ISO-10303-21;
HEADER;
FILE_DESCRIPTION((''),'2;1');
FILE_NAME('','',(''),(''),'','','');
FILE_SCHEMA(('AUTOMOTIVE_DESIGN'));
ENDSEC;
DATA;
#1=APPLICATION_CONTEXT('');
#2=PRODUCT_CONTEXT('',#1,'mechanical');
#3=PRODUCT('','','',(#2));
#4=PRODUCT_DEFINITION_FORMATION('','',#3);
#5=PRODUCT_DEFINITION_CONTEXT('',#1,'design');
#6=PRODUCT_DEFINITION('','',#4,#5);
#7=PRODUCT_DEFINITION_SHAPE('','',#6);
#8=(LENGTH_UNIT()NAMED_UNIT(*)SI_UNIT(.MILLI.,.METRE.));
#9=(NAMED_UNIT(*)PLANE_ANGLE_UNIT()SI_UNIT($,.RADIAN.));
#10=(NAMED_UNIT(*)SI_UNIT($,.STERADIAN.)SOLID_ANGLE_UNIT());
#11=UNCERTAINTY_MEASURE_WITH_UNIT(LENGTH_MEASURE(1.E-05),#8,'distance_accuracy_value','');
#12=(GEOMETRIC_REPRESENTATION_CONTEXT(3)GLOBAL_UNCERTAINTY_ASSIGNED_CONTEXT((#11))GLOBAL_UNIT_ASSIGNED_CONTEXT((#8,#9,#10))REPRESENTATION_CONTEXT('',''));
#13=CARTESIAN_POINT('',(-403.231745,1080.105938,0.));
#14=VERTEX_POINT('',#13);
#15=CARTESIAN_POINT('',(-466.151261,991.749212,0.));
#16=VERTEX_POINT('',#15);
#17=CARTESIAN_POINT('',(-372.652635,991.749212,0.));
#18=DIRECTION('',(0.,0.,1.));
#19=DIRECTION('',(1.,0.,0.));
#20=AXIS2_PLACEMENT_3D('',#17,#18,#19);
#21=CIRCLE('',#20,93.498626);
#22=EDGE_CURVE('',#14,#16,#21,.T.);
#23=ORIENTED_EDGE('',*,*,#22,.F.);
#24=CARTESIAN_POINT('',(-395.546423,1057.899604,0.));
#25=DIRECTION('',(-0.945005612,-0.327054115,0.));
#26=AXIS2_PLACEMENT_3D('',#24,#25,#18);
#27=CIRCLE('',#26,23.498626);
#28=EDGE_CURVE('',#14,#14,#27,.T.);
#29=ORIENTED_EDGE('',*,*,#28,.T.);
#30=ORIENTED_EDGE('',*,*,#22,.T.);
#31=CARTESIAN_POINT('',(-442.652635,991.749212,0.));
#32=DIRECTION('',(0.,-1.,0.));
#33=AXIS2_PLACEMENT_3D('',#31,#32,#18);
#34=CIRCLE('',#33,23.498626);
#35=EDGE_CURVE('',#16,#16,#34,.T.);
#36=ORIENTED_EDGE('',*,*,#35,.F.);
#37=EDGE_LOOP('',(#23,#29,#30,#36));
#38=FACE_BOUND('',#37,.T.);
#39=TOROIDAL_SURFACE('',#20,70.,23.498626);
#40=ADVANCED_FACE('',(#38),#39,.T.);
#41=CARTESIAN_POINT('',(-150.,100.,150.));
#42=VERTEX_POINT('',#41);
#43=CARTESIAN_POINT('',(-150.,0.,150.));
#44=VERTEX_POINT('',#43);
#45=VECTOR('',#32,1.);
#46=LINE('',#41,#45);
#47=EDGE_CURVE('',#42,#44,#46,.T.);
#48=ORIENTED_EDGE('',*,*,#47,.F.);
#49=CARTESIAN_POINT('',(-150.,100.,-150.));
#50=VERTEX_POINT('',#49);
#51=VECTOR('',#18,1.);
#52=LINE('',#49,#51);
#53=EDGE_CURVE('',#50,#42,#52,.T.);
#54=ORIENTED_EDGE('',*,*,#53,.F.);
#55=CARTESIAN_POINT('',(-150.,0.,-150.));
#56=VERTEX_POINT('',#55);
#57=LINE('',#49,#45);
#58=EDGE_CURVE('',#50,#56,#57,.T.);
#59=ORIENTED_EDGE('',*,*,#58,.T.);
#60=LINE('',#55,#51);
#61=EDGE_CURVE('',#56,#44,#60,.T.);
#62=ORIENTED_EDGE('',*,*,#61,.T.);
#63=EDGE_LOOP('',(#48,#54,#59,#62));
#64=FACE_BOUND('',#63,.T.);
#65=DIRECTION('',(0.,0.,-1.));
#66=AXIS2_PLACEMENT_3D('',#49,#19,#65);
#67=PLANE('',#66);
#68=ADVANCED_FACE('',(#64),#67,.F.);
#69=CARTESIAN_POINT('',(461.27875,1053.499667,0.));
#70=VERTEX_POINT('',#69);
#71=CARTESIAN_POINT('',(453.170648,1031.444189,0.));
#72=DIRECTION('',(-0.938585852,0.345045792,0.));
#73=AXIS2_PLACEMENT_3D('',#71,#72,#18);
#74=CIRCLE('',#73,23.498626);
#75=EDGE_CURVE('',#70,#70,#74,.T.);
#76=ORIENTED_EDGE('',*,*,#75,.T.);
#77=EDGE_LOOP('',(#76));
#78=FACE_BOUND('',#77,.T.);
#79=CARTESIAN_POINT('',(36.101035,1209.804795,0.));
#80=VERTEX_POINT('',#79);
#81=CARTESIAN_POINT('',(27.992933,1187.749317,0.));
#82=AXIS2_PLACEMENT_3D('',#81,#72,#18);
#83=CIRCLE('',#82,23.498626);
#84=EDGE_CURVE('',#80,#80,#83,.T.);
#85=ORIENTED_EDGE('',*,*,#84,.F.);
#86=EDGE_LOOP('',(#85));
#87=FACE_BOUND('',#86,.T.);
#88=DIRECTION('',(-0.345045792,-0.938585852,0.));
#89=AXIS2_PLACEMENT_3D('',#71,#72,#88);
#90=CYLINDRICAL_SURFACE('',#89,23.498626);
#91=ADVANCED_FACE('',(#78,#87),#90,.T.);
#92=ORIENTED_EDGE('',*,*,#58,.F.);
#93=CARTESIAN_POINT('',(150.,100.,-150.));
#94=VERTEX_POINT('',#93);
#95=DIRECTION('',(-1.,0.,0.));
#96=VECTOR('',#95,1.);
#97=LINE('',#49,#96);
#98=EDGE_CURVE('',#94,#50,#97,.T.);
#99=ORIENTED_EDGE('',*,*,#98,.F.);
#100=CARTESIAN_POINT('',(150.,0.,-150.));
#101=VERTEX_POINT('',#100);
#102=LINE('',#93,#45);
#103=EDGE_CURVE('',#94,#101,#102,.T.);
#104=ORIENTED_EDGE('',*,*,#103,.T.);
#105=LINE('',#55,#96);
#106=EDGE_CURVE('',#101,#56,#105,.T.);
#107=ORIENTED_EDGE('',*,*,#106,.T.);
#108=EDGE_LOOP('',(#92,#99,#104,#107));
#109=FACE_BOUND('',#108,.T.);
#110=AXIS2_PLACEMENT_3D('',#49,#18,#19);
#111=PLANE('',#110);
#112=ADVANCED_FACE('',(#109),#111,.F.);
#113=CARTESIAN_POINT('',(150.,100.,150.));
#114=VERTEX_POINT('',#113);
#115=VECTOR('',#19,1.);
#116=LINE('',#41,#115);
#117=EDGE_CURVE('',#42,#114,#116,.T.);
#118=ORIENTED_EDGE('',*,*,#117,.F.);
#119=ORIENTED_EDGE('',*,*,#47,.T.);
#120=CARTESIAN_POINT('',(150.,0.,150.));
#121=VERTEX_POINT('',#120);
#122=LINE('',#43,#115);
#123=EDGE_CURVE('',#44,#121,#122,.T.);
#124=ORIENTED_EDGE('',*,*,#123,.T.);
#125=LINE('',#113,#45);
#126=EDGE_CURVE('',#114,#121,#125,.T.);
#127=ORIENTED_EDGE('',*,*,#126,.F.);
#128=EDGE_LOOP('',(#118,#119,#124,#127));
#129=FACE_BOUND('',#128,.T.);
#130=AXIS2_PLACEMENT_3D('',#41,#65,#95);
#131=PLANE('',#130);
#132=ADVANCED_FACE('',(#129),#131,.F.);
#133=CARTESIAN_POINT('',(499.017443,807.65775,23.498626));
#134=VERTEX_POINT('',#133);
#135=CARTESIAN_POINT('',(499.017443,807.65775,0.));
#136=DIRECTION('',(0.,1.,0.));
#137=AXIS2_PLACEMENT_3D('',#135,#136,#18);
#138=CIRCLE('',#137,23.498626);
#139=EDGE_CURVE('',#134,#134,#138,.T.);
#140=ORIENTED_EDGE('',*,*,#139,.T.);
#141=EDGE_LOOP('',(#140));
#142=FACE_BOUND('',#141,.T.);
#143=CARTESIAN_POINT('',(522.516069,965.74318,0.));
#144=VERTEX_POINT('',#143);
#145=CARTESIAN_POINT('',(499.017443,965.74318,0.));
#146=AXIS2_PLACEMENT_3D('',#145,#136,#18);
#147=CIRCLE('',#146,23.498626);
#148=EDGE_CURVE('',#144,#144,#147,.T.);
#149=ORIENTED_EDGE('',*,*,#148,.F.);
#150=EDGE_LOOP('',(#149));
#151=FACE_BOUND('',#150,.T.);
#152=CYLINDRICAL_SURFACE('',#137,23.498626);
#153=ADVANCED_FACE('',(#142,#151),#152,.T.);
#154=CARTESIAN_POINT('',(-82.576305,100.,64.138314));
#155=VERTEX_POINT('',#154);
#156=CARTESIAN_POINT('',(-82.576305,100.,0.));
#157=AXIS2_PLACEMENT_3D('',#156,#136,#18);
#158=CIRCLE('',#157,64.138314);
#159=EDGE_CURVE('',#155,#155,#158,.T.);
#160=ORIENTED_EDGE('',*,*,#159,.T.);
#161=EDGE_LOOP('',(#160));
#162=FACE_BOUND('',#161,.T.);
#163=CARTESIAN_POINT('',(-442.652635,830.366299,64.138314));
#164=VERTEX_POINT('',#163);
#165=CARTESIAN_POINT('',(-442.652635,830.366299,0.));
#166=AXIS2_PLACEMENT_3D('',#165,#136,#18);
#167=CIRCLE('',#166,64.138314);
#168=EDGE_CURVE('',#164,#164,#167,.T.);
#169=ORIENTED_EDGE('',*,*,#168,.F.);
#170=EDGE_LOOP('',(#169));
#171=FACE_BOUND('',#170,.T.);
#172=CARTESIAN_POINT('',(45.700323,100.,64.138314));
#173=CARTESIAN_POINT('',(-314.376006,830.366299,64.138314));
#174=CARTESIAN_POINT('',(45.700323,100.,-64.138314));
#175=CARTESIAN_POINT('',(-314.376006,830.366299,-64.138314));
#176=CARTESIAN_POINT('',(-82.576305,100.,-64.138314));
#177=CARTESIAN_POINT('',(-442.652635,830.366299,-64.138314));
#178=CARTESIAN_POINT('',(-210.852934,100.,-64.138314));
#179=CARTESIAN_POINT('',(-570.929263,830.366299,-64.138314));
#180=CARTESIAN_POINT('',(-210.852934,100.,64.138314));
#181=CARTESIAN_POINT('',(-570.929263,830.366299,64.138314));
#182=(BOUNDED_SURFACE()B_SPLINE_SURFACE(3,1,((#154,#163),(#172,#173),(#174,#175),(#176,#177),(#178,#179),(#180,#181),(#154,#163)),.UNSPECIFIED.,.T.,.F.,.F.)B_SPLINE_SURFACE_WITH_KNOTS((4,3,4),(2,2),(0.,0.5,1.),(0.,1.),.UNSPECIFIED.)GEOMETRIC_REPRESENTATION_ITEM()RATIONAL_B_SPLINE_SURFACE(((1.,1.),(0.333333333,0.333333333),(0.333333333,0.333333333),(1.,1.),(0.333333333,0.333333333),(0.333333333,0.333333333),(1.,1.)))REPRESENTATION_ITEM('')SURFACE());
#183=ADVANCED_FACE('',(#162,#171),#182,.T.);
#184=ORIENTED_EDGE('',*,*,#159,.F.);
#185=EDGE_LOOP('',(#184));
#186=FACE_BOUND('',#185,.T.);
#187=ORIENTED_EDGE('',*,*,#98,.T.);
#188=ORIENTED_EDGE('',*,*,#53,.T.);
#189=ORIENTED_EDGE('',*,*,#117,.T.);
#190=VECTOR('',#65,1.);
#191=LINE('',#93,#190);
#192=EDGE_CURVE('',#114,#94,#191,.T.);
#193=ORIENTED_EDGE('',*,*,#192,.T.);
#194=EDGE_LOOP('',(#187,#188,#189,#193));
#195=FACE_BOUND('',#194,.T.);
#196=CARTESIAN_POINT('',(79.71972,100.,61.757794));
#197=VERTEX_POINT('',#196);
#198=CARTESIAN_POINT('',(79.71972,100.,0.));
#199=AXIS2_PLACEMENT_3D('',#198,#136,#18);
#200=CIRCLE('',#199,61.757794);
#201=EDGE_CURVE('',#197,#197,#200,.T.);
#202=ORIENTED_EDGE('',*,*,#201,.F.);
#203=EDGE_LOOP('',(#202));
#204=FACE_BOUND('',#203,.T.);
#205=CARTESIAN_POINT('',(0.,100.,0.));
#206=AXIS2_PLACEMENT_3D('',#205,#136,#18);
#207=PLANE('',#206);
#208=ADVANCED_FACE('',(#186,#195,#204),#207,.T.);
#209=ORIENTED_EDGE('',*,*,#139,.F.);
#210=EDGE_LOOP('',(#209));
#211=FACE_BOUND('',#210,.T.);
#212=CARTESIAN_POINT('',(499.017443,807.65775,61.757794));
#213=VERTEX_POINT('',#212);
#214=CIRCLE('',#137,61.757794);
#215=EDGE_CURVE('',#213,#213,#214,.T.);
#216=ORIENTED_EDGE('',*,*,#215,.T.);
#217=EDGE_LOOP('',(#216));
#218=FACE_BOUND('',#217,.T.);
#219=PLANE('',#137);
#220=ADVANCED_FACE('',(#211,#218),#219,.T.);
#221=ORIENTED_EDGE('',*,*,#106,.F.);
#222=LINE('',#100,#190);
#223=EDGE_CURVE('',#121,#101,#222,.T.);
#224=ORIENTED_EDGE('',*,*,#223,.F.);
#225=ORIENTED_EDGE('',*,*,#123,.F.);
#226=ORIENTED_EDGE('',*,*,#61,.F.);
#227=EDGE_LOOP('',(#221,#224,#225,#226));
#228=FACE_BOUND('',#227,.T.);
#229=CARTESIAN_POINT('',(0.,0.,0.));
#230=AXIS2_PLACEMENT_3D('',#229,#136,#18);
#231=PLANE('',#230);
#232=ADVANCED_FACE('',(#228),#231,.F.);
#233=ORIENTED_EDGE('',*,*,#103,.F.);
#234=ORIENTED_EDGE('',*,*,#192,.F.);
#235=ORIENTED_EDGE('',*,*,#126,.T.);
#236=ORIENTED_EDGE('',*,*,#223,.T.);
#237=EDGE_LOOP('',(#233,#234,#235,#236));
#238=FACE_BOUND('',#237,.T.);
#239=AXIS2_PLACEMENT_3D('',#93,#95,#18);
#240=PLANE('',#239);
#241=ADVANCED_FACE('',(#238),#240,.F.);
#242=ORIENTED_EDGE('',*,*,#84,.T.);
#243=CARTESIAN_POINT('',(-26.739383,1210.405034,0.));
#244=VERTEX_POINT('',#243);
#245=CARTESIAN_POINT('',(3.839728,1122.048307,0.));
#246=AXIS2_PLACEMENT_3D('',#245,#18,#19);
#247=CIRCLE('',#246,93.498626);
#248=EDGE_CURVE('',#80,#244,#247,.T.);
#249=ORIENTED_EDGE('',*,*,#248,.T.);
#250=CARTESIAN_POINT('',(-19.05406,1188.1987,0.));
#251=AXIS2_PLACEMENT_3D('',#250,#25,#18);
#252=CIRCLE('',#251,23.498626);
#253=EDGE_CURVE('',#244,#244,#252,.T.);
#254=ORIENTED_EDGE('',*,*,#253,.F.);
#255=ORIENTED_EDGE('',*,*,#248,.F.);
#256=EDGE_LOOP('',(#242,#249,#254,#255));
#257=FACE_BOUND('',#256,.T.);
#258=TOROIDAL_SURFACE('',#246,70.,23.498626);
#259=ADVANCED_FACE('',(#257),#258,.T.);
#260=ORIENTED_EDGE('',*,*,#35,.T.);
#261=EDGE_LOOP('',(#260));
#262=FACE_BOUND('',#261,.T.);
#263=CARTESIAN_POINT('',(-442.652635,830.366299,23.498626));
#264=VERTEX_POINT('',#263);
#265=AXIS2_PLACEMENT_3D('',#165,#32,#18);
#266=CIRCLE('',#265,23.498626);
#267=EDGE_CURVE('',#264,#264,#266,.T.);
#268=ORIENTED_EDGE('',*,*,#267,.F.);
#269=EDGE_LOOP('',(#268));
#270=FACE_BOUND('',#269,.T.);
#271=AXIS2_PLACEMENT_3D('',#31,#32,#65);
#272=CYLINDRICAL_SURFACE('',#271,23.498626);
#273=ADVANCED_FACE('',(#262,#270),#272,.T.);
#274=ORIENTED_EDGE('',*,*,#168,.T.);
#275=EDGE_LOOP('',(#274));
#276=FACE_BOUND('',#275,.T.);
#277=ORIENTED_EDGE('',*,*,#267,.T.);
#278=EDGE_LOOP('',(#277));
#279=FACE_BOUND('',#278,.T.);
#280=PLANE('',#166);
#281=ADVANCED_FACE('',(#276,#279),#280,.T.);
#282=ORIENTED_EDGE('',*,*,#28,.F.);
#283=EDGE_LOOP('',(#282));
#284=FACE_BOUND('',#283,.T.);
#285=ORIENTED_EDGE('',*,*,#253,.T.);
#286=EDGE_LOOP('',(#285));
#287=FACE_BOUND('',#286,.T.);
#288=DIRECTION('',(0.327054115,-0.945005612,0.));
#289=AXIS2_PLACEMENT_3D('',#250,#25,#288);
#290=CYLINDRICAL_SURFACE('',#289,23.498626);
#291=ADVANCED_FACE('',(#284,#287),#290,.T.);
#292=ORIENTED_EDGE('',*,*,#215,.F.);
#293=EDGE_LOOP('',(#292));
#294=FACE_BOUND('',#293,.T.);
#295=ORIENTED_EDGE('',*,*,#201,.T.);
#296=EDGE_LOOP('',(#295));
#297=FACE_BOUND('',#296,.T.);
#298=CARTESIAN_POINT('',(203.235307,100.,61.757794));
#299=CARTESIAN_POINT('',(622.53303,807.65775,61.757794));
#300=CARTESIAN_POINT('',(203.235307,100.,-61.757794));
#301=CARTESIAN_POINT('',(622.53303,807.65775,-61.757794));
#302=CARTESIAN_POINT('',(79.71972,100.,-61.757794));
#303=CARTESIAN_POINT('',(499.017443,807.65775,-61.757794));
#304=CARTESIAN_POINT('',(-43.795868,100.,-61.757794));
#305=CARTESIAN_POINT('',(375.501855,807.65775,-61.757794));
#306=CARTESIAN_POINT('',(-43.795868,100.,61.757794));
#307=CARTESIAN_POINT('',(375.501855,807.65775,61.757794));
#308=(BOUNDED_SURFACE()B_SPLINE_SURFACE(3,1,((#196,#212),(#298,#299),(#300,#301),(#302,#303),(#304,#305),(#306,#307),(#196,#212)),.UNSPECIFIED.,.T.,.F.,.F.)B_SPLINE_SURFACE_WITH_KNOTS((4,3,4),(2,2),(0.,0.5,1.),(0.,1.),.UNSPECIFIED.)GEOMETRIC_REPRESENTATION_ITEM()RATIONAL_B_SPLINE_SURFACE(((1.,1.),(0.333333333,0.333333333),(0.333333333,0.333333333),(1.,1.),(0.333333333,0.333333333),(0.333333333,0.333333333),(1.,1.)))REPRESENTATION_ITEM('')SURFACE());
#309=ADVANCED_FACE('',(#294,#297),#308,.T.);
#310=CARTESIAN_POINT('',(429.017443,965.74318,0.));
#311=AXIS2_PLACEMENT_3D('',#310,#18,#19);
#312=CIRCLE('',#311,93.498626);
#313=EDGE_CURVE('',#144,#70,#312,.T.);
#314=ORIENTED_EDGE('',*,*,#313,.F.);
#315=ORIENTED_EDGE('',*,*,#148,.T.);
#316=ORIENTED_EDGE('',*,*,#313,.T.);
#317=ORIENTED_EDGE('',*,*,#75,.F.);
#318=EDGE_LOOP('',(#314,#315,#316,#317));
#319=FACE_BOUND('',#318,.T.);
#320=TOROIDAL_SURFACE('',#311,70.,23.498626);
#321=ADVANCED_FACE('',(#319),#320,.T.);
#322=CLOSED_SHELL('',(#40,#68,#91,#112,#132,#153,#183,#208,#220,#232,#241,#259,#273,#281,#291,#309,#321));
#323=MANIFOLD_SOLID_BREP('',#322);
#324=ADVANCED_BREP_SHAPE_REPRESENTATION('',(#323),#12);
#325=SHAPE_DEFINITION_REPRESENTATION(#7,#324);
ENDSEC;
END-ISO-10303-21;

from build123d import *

# Parameters (mm, degrees)
CROQUIS1_W              = 300
CROQUIS1_H              = 300
SALIENTE_EXTRUIR1_DEPTH = 100
CROQUIS2_R              = 61.757793717
CROQUIS3_R              = 64.13831418
CROQUIS5_R              = 23.498626295


with BuildPart() as part:
    # Croquis1 → Saliente-Extruir1 (new body)
    with BuildSketch(Plane(origin=(0, 0, 0), x_dir=(1, 0, 0), z_dir=(0, 1, 0))):
        Rectangle(CROQUIS1_W, CROQUIS1_H)
    extrude(amount=SALIENTE_EXTRUIR1_DEPTH)

    # Barrer1: sweep along a curve in space
    with BuildLine() as barrer1_path:
        Line((79.719719639, 100, 0), (499.017442554, 807.657749643, 0))
    # Croquis2 → Barrer1 (sweep)
    with BuildSketch(Plane(origin=(0, 100, 0), x_dir=(1, 0, 0), z_dir=(0, 1, 0))):
        with Locations((79.719719639, 0)):
            Circle(CROQUIS2_R)
    sweep(path=barrer1_path.line)

    # Barrer2: sweep along a curve in space
    with BuildLine() as barrer2_path:
        Line((-82.576305282, 100, 0), (-442.652634805, 830.366298789, 0))
    # Croquis3 → Barrer2 (sweep)
    with BuildSketch(Plane(origin=(0, 100, 0), x_dir=(1, 0, 0), z_dir=(0, 1, 0))):
        with Locations((-82.576305282, 0)):
            Circle(CROQUIS3_R)
    sweep(path=barrer2_path.line)

    # Barrer4: sweep along a curve in space
    with BuildLine() as barrer4_path:
        Line((499.017442554, 807.657749643, 0), (499.017442554, 965.743179521, 0))
        ThreePointArc((499.017442554, 965.743179521, 0), (486.422687881, 1005.801110184, 0), (453.170648011, 1031.444189149, 0))
        Line((453.170648011, 1031.444189149, 0), (27.99293329, 1187.749316841, 0))
        ThreePointArc((27.99293329, 1187.749316841, 0), (4.508322897, 1192.045114145, 0), (-19.05406022, 1188.19870002, 0))
        Line((-395.546422858, 1057.899604458, 0), (-19.05406022, 1188.19870002, 0))
        ThreePointArc((-442.652634805, 991.749211651, 0), (-429.672653938, 1032.353613113, 0), (-395.546422858, 1057.899604458, 0))
        Line((-442.652634805, 830.366298789, 0), (-442.652634805, 991.749211651, 0))
    # Croquis5 → Barrer4 (sweep)
    with BuildSketch(Plane(origin=(0, 807.657749643, 0), x_dir=(1, 0, 0), z_dir=(0, 1, 0))):
        with Locations((499.017442554, 0)):
            Circle(CROQUIS5_R)
    sweep(path=barrer4_path.line)


solid = part.part
